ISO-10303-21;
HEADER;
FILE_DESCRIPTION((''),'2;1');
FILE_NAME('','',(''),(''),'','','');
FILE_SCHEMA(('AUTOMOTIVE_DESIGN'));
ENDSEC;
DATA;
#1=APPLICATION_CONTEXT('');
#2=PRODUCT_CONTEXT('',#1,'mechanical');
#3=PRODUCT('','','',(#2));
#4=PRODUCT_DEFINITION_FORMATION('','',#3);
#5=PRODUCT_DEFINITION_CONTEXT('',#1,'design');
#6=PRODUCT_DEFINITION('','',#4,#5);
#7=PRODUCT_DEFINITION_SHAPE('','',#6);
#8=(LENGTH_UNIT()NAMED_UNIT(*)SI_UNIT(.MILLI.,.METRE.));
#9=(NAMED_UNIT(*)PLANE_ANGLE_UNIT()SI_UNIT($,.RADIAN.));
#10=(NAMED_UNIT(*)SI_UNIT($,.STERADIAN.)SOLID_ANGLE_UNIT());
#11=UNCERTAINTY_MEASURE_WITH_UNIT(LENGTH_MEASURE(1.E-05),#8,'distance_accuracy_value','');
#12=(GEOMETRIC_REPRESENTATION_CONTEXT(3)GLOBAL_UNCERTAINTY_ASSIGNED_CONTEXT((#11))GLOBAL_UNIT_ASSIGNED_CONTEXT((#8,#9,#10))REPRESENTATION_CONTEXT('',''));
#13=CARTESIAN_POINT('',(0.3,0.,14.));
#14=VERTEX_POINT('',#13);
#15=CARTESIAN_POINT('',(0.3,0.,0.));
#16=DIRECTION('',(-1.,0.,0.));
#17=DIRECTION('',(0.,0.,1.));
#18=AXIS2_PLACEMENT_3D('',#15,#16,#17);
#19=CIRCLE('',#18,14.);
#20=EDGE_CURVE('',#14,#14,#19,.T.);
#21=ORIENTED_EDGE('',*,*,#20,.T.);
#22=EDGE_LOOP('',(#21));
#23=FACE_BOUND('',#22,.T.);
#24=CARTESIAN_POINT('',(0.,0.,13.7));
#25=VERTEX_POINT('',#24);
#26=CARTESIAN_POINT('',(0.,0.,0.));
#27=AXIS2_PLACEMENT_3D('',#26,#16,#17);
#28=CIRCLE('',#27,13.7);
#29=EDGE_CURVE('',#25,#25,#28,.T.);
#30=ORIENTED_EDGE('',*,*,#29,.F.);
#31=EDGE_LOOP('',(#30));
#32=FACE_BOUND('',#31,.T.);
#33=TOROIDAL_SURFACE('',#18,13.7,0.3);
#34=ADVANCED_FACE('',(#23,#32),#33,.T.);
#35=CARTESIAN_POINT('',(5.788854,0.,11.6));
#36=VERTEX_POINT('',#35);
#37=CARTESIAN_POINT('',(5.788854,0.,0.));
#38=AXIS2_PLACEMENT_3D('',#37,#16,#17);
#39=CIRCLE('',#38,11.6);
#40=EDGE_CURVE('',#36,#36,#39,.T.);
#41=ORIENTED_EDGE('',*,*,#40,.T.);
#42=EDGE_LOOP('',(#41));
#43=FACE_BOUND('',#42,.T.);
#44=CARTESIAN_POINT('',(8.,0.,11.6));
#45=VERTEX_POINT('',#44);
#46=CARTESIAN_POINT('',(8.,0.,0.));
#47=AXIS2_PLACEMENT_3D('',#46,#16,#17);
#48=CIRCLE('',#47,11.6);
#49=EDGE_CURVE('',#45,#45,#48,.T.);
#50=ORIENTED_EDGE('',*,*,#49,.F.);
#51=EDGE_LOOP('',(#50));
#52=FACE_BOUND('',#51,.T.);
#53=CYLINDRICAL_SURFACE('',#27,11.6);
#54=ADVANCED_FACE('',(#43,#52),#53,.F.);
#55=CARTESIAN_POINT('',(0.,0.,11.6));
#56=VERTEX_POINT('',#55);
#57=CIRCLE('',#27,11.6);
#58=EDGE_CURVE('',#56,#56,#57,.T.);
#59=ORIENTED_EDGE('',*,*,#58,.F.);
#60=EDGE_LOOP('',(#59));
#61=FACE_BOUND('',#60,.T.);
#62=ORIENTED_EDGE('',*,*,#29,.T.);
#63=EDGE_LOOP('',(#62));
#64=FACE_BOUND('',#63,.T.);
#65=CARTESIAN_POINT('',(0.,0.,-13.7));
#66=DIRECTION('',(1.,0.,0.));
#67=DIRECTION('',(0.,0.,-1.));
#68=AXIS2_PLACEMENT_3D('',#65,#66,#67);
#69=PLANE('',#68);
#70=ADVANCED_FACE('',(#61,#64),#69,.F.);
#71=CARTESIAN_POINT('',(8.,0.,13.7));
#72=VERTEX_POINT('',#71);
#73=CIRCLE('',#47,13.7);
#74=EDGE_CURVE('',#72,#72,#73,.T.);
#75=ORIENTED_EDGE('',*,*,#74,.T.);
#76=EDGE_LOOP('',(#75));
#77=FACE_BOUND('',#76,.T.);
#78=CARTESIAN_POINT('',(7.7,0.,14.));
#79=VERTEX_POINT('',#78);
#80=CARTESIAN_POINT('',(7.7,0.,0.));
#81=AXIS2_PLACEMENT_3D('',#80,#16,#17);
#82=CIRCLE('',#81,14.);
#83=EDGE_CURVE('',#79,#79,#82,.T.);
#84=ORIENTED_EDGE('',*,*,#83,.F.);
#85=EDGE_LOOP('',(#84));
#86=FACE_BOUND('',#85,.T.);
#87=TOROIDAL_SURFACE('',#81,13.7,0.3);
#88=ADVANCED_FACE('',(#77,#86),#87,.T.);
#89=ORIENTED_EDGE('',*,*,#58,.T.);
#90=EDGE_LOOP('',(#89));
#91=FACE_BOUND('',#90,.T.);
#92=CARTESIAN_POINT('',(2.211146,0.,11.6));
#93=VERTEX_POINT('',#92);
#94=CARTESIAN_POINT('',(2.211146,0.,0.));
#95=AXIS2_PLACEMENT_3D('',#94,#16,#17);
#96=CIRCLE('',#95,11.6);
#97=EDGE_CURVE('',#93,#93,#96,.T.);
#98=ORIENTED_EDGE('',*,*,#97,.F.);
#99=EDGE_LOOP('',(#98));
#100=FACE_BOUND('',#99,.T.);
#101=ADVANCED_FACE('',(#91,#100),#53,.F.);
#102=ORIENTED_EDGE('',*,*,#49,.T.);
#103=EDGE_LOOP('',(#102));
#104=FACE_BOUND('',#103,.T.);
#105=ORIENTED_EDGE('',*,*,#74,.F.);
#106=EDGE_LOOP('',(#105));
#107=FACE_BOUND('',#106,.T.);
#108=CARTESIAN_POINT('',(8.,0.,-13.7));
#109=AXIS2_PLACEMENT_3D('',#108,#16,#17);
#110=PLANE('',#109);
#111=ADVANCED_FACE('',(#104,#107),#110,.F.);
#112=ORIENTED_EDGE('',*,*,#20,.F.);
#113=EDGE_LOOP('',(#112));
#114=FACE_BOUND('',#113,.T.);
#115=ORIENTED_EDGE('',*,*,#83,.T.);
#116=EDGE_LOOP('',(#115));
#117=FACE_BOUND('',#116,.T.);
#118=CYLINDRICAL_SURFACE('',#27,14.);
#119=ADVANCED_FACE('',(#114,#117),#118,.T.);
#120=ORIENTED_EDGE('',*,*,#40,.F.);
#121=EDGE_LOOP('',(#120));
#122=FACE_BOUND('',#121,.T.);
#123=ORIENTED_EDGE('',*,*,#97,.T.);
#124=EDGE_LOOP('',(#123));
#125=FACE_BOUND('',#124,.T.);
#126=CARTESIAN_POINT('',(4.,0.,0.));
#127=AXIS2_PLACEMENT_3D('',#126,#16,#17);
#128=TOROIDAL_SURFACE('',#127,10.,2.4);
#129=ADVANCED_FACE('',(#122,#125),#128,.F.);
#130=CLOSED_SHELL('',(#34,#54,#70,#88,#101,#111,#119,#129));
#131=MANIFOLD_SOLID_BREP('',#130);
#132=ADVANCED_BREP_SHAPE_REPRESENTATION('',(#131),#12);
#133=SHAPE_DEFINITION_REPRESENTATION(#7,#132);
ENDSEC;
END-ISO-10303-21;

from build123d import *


with BuildPart() as part:
    # Esquisse1 → Base-Révolution (revolve)
    with BuildSketch(Plane(origin=(0, 0, 0), x_dir=(1, 0, 0), z_dir=(0, 1, 0))):
        with BuildLine():
            Line((0, 13.7), (0, 11.6))
            Line((0, 11.6), (2.211145618, 11.6))
            ThreePointArc((2.211145618, 11.6), (4, 12.4), (5.788854382, 11.6))
            Line((5.788854382, 11.6), (8, 11.6))
            Line((8, 11.6), (8, 13.7))
            ThreePointArc((8, 13.7), (7.912132034, 13.912132034), (7.7, 14))
            Line((7.7, 14), (0.3, 14))
            ThreePointArc((0.3, 14), (0.087867966, 13.912132034), (0, 13.7))
        make_face()
    revolve(axis=Axis((0, 0, 0), (1, 0, 0)))


solid = part.part
